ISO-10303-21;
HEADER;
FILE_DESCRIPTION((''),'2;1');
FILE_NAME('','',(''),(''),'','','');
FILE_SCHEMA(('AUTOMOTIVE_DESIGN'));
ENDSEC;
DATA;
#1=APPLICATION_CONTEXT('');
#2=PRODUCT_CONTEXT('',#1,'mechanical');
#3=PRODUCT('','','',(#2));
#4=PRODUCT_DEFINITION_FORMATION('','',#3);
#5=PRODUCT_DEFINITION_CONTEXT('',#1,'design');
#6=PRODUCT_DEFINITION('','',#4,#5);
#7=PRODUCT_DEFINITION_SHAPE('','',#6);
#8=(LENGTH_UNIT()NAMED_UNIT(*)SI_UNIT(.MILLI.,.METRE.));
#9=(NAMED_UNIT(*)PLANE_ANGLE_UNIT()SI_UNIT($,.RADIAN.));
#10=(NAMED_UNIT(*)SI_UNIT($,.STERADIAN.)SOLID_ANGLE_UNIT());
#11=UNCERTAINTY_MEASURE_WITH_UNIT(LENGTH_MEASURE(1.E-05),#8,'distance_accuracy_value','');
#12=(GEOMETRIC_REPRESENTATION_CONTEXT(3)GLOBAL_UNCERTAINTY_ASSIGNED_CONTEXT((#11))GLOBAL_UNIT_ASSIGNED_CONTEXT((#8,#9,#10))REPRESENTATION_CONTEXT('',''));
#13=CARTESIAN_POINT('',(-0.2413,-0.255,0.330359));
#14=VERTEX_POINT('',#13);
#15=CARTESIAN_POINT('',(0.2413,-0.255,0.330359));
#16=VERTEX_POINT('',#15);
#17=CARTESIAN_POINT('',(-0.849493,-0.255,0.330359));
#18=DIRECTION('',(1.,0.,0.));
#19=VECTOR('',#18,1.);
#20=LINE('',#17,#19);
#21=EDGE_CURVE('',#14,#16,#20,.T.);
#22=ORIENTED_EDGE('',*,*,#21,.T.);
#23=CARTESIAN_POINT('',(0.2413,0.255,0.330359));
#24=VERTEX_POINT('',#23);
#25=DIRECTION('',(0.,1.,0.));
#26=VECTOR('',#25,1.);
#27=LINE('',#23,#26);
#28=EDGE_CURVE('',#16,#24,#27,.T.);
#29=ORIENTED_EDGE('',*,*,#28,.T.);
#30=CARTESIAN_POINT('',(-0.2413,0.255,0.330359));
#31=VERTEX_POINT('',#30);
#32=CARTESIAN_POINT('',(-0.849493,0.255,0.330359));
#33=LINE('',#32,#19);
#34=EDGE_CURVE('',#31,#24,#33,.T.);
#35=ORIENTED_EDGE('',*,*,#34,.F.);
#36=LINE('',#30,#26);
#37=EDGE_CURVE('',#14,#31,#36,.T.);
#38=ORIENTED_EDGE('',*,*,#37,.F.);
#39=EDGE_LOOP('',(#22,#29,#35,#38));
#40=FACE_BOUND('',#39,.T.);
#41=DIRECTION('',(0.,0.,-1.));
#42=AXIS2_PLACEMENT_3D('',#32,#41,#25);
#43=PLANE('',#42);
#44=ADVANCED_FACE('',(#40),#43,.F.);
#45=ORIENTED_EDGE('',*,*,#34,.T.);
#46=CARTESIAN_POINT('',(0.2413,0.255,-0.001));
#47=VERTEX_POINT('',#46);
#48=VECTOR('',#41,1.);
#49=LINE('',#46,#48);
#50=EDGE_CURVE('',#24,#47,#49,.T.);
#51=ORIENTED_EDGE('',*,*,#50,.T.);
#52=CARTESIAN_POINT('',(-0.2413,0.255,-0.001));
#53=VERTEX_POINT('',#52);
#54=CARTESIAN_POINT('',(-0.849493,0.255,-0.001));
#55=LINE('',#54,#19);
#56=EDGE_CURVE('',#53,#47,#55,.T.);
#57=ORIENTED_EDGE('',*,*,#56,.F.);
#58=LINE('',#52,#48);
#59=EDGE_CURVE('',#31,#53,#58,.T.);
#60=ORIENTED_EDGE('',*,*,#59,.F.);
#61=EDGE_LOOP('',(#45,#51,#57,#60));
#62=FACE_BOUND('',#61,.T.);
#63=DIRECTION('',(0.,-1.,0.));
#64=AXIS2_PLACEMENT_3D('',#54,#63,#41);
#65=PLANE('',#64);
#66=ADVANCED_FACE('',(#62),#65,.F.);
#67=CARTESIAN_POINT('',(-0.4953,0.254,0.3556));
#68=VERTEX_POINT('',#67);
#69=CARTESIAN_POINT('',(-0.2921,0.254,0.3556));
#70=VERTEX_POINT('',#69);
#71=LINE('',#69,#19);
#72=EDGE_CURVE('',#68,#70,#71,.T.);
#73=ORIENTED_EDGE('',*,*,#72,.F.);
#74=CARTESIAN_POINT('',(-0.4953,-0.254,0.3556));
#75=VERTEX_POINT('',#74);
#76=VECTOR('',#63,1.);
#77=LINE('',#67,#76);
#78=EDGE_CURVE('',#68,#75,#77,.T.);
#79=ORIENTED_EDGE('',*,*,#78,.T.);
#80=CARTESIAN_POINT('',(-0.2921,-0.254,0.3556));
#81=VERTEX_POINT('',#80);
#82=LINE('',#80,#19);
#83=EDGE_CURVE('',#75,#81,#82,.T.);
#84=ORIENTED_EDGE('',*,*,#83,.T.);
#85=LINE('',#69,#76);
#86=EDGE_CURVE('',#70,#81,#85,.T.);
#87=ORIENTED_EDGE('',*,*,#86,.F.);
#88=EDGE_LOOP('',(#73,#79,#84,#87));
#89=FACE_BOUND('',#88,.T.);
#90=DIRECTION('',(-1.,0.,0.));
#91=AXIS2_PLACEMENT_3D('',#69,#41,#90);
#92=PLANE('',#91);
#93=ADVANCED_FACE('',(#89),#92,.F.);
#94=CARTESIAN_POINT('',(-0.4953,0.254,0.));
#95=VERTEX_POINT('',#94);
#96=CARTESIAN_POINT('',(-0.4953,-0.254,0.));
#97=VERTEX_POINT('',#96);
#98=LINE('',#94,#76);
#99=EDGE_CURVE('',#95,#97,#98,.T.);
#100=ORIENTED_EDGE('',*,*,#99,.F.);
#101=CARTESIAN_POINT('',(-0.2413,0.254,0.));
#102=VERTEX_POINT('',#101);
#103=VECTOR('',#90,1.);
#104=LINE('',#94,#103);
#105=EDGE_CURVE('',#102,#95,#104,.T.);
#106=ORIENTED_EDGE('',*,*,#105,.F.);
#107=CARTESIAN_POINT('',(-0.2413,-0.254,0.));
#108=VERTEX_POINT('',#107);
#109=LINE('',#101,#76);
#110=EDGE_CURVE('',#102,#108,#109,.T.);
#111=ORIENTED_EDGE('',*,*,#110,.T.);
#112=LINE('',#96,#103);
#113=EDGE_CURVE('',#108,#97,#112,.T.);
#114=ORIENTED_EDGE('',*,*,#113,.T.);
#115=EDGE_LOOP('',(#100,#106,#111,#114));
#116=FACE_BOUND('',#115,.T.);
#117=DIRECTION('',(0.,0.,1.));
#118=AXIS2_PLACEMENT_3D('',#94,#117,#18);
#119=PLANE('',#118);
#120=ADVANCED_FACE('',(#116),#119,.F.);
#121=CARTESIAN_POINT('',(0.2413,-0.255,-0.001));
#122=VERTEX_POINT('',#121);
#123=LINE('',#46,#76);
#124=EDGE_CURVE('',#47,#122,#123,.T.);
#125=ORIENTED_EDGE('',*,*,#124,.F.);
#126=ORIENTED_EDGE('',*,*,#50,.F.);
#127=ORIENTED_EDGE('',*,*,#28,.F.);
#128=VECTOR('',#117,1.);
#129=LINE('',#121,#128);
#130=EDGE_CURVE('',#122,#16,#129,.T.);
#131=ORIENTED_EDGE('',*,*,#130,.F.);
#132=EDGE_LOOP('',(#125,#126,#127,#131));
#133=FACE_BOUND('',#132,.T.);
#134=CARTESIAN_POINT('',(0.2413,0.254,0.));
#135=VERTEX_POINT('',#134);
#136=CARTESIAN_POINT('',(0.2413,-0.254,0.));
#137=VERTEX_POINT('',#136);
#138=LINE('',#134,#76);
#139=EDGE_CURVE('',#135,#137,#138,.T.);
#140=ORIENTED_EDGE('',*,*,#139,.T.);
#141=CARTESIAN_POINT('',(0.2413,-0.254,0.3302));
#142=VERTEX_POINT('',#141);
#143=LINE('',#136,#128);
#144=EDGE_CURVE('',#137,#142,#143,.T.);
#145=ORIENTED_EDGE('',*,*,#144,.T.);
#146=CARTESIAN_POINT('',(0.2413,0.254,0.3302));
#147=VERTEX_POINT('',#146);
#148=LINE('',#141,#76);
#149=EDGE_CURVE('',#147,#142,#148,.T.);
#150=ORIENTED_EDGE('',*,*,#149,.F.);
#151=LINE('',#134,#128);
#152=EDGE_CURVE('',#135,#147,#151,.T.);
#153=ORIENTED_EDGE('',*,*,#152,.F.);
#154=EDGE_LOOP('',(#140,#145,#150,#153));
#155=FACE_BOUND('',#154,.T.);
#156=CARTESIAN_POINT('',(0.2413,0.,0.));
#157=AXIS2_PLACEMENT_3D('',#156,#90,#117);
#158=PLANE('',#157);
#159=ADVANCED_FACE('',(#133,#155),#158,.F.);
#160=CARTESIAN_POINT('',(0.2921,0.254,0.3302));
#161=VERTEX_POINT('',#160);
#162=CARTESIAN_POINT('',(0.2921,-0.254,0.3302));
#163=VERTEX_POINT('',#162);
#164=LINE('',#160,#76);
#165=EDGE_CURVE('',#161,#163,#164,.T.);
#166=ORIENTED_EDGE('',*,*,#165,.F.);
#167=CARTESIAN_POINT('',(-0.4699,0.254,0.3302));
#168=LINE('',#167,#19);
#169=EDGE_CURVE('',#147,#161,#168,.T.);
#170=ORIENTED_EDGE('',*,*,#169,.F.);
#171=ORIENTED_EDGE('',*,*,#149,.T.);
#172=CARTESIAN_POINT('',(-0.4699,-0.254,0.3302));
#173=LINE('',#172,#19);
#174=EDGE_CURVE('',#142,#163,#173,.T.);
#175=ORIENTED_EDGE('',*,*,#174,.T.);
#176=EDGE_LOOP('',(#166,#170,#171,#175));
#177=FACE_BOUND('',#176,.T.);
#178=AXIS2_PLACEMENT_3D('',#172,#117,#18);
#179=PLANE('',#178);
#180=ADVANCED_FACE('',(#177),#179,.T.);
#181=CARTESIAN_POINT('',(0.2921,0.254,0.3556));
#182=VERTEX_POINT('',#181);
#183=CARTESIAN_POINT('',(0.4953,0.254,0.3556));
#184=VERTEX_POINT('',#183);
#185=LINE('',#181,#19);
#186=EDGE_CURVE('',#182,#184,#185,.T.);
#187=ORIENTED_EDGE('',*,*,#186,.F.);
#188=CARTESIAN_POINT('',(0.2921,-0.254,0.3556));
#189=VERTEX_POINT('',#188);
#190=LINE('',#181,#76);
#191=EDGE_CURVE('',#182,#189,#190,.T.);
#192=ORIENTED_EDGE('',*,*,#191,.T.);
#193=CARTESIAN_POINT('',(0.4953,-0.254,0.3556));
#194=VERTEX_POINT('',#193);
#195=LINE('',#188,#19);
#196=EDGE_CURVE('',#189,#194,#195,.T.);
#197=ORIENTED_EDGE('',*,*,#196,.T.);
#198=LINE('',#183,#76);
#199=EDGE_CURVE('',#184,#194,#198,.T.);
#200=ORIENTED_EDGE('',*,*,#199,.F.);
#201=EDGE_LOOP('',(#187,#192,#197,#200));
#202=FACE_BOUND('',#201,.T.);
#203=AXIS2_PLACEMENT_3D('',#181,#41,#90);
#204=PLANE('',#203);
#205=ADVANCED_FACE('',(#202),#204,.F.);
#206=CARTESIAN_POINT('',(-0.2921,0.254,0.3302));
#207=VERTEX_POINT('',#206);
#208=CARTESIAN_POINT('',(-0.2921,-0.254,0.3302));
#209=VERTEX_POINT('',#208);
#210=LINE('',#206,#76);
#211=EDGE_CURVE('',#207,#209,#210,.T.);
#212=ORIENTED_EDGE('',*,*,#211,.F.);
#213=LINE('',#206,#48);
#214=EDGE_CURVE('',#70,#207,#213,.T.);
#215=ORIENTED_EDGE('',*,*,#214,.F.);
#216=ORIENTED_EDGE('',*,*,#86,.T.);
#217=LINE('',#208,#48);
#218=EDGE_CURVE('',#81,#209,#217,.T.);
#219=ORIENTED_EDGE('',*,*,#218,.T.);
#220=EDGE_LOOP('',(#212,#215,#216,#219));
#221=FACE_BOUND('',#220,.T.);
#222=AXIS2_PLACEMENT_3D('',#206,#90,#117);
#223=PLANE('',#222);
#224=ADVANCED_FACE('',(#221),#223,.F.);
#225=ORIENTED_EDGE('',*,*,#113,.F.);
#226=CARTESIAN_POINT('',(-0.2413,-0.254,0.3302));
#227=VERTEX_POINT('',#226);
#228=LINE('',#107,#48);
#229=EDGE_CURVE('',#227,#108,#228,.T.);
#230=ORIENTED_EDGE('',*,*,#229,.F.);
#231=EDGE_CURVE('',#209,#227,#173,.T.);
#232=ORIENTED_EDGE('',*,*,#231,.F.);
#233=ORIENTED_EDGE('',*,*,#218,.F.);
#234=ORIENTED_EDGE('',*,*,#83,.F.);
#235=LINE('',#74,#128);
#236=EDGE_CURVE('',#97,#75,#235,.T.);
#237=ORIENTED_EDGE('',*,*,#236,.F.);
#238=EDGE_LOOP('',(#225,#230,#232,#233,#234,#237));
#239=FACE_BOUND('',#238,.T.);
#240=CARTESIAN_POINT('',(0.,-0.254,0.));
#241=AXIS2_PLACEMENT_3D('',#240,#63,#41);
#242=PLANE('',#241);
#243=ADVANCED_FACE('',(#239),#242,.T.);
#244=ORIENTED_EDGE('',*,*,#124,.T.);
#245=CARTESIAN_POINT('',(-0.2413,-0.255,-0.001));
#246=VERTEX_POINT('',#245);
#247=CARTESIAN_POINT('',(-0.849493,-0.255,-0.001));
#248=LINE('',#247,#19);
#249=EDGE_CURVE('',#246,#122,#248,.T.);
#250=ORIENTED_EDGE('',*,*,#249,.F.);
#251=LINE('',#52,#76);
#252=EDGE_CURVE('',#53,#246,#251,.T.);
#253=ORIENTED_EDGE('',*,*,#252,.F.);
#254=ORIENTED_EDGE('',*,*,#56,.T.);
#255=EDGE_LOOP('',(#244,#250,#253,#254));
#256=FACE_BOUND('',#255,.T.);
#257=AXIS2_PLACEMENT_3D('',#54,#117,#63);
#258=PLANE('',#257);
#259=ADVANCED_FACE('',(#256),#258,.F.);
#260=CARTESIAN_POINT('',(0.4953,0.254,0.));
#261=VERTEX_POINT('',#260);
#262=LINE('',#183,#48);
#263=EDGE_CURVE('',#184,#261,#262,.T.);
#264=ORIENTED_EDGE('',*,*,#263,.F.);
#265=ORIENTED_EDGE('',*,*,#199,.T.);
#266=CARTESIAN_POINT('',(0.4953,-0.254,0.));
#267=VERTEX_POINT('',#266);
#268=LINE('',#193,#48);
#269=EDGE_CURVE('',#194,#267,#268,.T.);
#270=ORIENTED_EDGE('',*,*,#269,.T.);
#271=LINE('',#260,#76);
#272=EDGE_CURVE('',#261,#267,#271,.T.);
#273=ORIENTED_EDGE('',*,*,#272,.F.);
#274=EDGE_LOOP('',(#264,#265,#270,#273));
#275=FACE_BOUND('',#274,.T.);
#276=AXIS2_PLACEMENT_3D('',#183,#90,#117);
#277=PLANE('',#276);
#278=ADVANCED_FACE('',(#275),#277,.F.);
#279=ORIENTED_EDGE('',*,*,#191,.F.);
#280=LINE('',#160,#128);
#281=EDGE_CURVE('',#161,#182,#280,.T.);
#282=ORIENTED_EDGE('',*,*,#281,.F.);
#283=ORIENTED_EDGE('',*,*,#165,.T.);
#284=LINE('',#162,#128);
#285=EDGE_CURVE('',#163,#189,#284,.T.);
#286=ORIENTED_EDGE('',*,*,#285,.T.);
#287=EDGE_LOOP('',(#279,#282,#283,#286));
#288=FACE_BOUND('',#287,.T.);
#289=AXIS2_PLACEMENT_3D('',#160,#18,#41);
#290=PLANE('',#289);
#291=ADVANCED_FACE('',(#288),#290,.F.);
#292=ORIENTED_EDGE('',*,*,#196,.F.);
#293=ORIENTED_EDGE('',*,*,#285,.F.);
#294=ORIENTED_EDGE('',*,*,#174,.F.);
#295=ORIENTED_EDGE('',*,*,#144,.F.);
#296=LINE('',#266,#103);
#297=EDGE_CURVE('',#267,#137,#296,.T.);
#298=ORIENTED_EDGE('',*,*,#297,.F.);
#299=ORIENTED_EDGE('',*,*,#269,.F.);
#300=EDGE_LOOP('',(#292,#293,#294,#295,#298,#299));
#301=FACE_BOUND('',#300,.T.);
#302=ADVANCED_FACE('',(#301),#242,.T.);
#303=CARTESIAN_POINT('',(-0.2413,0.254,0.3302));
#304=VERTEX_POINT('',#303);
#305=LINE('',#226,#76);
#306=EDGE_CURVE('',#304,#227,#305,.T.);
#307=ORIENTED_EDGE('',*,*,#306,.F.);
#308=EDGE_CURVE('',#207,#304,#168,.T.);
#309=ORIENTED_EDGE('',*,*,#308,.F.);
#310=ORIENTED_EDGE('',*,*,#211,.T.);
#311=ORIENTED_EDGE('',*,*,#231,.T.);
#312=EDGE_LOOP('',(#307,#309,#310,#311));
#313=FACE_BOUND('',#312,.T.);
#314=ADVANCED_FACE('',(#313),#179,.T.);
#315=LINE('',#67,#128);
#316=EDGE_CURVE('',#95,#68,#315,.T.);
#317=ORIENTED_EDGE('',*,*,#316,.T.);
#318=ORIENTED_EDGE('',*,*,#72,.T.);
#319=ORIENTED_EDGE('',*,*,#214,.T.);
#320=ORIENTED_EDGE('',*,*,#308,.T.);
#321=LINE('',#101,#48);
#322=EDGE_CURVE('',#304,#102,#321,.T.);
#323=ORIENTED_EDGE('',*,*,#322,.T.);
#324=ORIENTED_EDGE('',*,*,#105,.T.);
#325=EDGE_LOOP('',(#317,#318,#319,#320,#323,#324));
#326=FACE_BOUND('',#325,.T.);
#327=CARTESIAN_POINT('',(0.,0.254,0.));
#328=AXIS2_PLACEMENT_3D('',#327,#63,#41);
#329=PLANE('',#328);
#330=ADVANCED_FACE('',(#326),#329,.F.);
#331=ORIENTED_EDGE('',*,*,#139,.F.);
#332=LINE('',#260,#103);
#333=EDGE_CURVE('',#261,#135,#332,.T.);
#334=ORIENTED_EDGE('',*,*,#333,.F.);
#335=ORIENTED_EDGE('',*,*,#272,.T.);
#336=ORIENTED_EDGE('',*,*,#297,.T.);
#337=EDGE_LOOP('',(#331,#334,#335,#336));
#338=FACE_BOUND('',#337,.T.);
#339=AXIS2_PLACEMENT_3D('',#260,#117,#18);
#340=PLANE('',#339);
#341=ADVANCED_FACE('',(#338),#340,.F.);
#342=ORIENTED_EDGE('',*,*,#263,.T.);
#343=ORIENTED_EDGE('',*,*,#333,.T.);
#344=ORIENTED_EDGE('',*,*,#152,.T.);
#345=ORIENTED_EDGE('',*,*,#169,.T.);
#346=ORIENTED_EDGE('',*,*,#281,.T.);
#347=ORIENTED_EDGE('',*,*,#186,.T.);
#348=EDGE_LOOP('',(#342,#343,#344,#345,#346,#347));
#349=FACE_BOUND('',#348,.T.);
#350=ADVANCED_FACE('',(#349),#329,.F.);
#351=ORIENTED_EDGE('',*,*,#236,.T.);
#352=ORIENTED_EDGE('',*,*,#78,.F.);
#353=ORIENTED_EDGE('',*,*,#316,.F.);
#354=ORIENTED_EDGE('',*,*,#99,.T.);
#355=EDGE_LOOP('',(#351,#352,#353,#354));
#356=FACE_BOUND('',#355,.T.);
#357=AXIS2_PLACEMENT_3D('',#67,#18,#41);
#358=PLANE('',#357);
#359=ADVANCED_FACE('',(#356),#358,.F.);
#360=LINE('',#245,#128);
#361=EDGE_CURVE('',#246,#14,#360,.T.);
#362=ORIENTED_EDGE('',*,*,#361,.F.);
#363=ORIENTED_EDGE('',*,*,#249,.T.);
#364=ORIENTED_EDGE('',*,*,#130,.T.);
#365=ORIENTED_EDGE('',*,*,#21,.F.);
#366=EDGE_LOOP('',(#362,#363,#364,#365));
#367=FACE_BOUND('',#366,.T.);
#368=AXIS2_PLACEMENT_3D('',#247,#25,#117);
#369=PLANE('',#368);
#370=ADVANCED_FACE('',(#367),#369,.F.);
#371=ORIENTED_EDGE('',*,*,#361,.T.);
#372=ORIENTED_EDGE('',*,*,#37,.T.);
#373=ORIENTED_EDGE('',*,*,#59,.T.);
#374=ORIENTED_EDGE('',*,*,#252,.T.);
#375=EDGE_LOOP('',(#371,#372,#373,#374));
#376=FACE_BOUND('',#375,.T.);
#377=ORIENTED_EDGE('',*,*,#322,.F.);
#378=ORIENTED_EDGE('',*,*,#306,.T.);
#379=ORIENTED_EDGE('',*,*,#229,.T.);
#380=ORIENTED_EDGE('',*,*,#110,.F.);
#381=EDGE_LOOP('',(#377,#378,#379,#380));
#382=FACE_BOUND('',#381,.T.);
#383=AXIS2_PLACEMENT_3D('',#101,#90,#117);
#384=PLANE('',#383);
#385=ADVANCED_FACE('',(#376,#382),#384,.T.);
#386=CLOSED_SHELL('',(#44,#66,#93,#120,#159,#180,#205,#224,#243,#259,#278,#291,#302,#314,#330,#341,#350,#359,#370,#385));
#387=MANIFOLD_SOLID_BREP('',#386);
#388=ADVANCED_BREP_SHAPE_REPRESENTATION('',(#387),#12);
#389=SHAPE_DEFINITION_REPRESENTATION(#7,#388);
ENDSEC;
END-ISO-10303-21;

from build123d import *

# Parameters (mm, degrees)
BOSS_EXTRUDE1_DEPTH   = 0.254
BOSS_EXTRUDE1_2_DEPTH = 0.254
SKETCH3_W             = 0.9398
SKETCH3_H             = 0.3048
BOSS_EXTRUDE2_DEPTH   = 0.508
SKETCH4_W             = 0.331359425
SKETCH4_H             = 0.51
BOSS_EXTRUDE3_DEPTH   = 0.4826


with BuildPart() as part:
    # Sketch2 → Boss-Extrude1 (new body, symmetric)
    with BuildSketch(Plane(origin=(0, 0, 0), x_dir=(0, 0, -1), z_dir=(0, 1, 0))):
        Polygon((0, 0.2413), (-0.0254, 0.2413), (-0.0254, 0.4699), (-0.3302, 0.4699), (-0.3302, 0.2921), (-0.3556, 0.2921), (-0.3556, 0.4953), (0, 0.4953), align=None)
    extrude(amount=BOSS_EXTRUDE1_DEPTH, both=True)



with BuildPart() as body_2:
    # Sketch2 → Boss-Extrude1 2 (new body, symmetric)
    with BuildSketch(Plane(origin=(0, 0, 0), x_dir=(0, 0, -1), z_dir=(0, 1, 0))):
        Polygon((0, -0.4953), (0, -0.2413), (-0.0254, -0.2413), (-0.0254, -0.4699), (-0.3302, -0.4699), (-0.3302, -0.2921), (-0.3556, -0.2921), (-0.3556, -0.4953), align=None)
    extrude(amount=BOSS_EXTRUDE1_2_DEPTH, both=True)


with BuildPart() as part_1:
    add(part.part)

    add(body_2.part)  # Boss-Extrude2 merges body 2
    # Sketch3 → Boss-Extrude2 (add)
    with BuildSketch(Plane(origin=(0, 0.254, 0), x_dir=(1, 0, 0), z_dir=(0, 1, 0))):
        with Locations((0, -0.1778)):
            Rectangle(SKETCH3_W, SKETCH3_H)
    extrude(amount=-BOSS_EXTRUDE2_DEPTH)

    # Sketch4 → Boss-Extrude3 (add)
    with BuildSketch(Plane.ZY.offset(-0.2413)):
        with Locations((0.164679713, 0)):
            Rectangle(SKETCH4_W, SKETCH4_H)
    extrude(amount=BOSS_EXTRUDE3_DEPTH)


solid = part_1.part
